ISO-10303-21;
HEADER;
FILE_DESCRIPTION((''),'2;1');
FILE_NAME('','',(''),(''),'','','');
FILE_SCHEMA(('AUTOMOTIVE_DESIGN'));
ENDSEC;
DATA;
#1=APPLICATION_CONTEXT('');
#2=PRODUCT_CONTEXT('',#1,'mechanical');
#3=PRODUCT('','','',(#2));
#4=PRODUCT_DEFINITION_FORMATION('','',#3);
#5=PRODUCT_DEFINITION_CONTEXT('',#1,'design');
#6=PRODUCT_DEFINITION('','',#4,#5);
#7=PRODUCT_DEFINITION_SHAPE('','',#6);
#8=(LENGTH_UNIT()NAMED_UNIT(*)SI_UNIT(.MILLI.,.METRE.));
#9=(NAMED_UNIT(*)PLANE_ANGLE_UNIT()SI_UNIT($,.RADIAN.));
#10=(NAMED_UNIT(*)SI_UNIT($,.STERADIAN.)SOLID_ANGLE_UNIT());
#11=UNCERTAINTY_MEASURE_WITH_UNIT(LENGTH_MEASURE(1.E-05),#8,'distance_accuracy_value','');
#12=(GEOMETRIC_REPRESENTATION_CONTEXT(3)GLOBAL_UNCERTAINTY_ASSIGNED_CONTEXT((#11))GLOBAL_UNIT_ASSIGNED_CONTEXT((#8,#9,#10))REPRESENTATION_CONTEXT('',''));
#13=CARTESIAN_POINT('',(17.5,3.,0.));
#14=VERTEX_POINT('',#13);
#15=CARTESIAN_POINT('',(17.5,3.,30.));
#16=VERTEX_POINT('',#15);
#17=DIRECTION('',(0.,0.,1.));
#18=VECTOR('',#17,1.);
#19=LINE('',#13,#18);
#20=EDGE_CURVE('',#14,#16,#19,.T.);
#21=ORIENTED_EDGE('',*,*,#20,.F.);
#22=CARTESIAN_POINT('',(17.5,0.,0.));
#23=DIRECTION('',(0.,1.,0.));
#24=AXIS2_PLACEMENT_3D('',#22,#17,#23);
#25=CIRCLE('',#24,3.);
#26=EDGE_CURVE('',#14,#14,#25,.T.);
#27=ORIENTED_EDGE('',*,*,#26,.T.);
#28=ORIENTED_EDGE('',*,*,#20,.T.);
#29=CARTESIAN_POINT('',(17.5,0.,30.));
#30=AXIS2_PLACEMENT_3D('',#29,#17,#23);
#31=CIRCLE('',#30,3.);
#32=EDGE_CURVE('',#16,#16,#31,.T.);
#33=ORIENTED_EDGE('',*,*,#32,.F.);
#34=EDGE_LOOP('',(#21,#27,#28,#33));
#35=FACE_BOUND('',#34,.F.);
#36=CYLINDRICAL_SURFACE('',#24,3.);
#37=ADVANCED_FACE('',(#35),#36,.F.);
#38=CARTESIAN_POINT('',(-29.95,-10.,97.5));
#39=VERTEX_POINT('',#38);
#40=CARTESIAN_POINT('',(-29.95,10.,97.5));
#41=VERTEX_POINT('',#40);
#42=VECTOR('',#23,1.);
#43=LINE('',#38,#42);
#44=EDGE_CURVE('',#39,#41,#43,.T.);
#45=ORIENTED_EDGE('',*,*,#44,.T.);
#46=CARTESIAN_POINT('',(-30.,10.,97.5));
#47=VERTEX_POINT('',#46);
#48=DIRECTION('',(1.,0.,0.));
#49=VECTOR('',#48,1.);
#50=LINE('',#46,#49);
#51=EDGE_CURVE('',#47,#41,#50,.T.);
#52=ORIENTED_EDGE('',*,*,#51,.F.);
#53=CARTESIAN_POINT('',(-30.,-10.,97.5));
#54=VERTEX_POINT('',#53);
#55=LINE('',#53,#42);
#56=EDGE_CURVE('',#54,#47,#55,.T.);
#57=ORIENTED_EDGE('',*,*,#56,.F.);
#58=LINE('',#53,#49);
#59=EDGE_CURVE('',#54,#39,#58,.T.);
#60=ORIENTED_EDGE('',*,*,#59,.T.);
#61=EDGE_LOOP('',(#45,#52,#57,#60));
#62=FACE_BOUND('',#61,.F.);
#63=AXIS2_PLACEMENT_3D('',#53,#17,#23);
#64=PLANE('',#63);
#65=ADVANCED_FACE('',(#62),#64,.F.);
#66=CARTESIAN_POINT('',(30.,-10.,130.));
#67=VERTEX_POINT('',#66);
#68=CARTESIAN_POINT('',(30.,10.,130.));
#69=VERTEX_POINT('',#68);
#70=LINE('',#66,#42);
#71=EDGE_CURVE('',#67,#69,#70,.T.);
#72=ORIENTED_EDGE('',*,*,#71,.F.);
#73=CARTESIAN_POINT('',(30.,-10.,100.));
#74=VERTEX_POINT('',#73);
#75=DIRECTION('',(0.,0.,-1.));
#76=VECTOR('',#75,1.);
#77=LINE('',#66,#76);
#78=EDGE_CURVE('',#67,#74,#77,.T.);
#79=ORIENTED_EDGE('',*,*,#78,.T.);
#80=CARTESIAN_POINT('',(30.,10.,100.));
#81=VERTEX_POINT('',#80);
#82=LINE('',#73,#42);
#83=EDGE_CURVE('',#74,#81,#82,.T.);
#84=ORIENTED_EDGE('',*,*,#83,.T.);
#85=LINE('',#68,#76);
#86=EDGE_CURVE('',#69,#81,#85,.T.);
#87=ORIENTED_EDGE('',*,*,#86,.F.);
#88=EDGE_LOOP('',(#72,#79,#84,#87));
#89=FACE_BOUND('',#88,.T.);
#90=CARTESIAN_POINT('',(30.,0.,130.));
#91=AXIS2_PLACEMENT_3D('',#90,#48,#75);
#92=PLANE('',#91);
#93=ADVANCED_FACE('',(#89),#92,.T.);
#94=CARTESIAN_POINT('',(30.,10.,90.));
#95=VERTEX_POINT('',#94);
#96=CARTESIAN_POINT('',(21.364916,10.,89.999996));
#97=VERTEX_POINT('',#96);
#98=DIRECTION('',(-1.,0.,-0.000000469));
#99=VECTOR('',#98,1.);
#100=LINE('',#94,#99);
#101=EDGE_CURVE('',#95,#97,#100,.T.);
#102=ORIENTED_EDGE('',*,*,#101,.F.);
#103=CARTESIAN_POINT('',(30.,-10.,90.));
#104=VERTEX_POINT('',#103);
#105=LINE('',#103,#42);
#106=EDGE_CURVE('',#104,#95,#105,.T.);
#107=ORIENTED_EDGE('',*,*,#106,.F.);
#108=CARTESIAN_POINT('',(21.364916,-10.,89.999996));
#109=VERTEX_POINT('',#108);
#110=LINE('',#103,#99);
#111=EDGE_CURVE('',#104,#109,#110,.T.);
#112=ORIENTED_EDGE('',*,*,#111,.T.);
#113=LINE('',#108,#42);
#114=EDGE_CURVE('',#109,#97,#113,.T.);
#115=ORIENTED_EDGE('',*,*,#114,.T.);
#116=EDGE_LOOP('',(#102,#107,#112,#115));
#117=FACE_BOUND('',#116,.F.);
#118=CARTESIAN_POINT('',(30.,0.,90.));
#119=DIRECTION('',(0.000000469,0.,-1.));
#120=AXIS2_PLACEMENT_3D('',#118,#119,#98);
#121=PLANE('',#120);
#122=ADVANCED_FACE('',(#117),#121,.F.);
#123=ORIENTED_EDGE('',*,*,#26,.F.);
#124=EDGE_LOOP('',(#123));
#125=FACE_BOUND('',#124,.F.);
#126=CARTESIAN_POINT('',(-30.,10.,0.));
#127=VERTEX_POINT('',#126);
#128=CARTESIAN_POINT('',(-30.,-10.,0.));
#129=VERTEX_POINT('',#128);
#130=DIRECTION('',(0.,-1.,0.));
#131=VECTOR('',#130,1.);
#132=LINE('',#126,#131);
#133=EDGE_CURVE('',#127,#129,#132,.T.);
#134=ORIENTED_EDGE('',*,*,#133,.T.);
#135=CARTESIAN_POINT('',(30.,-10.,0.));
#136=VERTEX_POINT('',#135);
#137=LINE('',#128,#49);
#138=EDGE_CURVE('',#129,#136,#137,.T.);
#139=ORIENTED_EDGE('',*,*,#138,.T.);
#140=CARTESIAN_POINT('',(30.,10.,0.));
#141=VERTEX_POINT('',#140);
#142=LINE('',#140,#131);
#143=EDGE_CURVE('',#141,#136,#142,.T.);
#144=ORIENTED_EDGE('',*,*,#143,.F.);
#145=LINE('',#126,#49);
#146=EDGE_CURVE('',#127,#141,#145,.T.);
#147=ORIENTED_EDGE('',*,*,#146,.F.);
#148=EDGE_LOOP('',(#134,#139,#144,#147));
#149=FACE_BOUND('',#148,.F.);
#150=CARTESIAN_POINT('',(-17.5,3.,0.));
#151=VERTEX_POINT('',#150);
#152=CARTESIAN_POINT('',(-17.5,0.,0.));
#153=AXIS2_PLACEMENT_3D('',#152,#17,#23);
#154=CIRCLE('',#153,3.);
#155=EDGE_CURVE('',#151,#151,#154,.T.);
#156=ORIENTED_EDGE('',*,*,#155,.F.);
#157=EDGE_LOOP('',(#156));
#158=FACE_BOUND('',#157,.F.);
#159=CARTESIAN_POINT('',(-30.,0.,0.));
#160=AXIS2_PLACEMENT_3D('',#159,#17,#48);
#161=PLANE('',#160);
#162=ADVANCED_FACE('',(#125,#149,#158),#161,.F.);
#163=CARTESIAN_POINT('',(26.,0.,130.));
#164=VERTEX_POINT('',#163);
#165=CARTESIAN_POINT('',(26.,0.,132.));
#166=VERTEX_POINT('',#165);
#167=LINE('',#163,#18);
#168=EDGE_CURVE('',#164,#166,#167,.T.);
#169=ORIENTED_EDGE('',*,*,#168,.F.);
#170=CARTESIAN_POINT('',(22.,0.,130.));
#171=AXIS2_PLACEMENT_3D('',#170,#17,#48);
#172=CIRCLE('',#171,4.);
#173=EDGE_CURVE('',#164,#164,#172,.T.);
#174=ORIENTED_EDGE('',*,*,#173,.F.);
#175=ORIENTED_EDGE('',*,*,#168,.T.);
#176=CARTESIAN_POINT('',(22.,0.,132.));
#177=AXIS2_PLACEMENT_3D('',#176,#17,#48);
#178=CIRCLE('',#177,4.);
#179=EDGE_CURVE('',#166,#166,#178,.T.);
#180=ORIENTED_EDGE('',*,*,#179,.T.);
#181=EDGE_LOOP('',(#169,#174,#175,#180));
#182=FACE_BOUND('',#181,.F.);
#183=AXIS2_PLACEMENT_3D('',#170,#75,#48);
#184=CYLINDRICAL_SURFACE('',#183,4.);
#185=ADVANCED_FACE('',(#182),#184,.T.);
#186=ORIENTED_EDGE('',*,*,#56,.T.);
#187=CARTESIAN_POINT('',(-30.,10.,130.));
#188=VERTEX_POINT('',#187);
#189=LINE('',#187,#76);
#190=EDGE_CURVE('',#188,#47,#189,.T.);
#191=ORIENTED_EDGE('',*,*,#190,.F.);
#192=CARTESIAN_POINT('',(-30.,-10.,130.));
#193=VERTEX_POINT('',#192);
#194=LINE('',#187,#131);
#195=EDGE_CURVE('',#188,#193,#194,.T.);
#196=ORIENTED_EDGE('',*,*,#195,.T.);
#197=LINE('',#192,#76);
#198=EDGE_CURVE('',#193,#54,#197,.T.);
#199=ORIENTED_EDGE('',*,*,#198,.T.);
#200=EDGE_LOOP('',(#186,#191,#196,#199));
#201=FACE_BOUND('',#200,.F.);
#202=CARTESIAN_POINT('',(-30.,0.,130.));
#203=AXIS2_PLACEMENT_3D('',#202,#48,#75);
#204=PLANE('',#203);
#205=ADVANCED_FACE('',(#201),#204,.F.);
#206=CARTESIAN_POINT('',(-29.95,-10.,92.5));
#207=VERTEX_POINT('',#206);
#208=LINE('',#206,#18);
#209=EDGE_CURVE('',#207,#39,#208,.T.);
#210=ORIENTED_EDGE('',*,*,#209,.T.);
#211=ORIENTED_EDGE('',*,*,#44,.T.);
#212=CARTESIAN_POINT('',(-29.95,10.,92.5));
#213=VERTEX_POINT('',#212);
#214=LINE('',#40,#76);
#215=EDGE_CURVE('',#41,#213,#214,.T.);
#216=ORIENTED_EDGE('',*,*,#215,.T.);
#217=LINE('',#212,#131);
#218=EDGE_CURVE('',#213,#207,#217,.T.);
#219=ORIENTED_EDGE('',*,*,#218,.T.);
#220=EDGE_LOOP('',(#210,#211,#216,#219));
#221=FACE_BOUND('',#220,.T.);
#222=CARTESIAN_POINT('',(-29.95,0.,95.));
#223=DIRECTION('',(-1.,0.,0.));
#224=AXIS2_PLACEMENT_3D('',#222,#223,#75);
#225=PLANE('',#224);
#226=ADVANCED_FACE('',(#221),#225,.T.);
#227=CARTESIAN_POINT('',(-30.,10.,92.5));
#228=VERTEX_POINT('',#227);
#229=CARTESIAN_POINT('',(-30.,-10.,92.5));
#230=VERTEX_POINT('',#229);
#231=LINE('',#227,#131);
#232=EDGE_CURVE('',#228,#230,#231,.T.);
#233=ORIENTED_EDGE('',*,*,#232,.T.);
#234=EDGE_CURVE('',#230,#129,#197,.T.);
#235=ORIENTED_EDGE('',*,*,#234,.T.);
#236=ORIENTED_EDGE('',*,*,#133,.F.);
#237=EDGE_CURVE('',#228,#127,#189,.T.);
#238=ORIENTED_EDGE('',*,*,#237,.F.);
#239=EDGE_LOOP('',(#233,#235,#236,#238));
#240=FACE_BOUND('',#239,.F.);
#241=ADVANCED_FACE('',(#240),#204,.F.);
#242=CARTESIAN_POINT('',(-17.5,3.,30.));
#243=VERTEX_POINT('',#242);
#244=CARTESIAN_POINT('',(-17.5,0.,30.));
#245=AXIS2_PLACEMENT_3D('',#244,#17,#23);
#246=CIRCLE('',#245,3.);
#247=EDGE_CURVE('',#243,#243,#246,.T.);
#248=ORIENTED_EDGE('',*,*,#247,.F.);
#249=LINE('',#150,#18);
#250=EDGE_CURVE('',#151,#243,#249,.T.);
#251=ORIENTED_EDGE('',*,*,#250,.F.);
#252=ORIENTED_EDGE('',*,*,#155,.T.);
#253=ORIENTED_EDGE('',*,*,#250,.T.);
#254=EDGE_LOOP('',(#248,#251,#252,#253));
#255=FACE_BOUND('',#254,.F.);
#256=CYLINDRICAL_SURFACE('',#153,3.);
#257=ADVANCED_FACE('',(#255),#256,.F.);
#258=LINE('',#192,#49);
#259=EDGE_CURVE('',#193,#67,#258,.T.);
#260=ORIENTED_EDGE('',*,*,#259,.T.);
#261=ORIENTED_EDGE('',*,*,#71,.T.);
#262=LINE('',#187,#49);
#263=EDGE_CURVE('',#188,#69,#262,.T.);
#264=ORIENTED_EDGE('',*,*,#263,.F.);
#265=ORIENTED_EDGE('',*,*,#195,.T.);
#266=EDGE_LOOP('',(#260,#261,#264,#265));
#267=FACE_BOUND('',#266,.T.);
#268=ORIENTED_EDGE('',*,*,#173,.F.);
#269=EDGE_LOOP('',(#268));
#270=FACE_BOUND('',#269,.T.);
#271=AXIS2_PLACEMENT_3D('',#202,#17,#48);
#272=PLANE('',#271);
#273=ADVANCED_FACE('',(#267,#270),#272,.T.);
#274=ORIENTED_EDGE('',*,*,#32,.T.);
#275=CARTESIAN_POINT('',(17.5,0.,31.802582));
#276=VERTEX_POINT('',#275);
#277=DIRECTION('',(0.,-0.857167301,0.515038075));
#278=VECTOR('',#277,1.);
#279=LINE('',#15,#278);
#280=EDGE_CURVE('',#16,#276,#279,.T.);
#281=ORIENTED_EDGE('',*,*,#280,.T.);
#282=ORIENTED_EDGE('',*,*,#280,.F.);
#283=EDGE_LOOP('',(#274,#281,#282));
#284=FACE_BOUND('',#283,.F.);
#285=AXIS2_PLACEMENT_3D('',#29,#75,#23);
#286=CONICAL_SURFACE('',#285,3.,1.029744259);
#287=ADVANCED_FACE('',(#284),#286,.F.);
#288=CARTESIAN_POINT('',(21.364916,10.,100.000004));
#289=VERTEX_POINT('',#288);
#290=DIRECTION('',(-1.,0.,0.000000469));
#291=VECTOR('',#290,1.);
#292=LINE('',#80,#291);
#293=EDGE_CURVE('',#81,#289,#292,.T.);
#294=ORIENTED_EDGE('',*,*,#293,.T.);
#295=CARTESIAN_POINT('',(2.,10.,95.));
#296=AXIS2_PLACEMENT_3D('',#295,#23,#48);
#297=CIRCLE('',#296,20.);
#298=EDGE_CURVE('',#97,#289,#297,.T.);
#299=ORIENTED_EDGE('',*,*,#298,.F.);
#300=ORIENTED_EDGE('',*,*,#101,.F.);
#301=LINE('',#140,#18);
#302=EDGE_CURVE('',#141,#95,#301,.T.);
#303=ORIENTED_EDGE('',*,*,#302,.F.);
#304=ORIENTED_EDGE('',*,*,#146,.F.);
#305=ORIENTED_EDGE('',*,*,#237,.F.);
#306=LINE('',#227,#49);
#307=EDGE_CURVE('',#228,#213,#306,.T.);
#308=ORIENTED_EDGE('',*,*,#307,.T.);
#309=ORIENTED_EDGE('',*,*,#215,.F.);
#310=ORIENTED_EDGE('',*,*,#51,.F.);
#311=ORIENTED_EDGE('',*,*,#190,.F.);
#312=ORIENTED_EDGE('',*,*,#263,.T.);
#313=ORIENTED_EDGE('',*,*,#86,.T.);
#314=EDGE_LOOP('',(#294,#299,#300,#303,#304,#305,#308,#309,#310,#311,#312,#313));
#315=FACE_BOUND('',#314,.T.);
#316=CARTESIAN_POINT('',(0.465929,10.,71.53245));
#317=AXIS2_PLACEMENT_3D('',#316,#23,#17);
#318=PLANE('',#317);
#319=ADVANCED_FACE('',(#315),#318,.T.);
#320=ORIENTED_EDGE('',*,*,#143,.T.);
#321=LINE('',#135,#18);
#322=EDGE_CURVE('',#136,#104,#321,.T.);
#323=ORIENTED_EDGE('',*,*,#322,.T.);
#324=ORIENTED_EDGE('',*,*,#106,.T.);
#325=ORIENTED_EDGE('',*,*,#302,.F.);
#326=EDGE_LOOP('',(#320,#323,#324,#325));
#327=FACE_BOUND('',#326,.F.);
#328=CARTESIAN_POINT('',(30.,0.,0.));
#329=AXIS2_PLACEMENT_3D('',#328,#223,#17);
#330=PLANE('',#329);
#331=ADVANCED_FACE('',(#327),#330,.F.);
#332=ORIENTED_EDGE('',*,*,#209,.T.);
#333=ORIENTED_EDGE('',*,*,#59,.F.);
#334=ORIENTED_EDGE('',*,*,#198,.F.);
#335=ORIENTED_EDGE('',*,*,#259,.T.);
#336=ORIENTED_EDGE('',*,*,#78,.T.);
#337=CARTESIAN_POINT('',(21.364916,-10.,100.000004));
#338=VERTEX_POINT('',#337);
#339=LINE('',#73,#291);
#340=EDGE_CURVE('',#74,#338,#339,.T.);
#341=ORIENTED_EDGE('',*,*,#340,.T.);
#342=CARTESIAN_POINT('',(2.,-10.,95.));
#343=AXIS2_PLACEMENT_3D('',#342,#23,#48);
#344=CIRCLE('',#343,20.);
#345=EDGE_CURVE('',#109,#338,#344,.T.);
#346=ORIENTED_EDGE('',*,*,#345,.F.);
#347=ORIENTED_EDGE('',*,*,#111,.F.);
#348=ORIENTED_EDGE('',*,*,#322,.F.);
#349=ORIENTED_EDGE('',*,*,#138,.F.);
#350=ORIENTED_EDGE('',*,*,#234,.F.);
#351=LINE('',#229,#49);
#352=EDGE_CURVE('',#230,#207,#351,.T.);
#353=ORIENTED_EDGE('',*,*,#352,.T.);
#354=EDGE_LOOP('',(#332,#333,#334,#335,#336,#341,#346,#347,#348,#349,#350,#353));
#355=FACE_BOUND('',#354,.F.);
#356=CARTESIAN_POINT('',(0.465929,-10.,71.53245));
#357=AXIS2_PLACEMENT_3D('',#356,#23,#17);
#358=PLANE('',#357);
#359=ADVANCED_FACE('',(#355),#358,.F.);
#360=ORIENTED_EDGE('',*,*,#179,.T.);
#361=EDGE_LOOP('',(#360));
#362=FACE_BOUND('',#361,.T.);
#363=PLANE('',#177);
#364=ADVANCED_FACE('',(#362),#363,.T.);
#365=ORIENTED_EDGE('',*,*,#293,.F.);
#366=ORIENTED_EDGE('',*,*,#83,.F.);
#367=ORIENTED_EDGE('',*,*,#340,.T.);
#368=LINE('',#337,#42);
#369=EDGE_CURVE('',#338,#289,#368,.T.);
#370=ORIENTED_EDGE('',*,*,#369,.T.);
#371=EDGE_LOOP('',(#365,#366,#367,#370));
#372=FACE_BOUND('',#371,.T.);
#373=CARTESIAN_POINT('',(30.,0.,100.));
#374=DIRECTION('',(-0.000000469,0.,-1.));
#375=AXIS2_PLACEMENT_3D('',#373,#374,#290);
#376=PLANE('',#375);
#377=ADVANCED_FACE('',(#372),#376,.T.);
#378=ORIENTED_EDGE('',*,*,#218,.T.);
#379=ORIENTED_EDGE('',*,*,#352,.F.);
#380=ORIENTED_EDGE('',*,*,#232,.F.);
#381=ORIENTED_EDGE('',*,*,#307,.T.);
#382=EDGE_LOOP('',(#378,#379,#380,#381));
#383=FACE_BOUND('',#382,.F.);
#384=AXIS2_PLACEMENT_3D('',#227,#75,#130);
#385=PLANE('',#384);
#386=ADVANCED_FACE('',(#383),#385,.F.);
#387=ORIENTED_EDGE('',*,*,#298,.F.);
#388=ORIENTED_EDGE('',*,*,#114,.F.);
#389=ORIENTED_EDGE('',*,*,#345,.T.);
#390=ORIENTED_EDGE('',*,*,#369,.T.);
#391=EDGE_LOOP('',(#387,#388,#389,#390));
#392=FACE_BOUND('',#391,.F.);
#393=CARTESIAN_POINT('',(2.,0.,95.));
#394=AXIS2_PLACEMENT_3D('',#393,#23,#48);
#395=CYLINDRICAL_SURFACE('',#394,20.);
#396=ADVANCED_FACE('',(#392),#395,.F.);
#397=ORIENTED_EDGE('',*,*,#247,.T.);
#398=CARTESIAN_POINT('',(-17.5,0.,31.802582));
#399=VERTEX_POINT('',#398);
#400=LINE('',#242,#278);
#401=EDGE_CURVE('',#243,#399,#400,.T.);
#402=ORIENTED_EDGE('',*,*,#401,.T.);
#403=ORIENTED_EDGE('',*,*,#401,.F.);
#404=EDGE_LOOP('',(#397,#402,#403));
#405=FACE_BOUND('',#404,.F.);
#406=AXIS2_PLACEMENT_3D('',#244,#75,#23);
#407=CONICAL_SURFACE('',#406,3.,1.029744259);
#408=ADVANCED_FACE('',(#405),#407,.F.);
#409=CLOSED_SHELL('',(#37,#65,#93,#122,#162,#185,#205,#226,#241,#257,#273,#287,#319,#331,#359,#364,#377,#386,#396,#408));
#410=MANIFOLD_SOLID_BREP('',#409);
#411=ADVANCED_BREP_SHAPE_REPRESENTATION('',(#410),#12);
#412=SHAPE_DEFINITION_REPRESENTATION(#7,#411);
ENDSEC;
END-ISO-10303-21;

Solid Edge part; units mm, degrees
sketch "Sketch1" plane through (0, 0, 0) normal (0, -1, 0) x (1, 0, 0)
  line L0 (-30, 130) -> (30, 130)
  line L1 (30, 130) -> (30, 100)
  line L2 (30, 100) -> (21.3649, 100)
  line L3 (30, 90) -> (21.3649, 90)
  line L4 (30, 0) -> (30, 90)
  line L5 (-30, 0) -> (30, 0)
  line L6 (-30, 130) -> (-30, 0)
  arc A0 (21.3649, 90) -> (21.3649, 100) centre (2, 95) cw
extrude "Protrusion1" add sketch "Sketch1" along normal mid plane 20
hole "Agujero_1" at (17.5, 0, 0) direction (0, 0, 1) diameter 6 depth 30 tip angle 118
hole "Hole1" at (-17.5, 0, 0) direction (0, 0, 1) diameter 6 depth 30 tip angle 118
sketch "Sketch2" plane through (0, 0, 130) normal (0, 0, 1) x (1, 0, 0)
  circle A0 centre (22, 0) radius 4
  dimension "D1" = 8
  dimension "D2" = 8
extrude "ProtrusiónExtruida_2" add sketch "Sketch2" along normal blind 2
sketch "Sketch3" plane through (-30, 0, 65) normal (-1, 0, 0) x (0, 0, -1)
  line L0 (-32.5, 10) -> (-32.5, -10)
  line L1 (-32.5, -10) -> (-27.5, -10)
  line L2 (-27.5, -10) -> (-27.5, 10)
  line L3 (-27.5, 10) -> (-32.5, 10)
  dimension "D1" = 2.5
  dimension "D2" = 2.5
  dimension "D3" = 5
extrude "VaciadoExtruido_1" cut sketch "Sketch3" against normal blind 0.05
